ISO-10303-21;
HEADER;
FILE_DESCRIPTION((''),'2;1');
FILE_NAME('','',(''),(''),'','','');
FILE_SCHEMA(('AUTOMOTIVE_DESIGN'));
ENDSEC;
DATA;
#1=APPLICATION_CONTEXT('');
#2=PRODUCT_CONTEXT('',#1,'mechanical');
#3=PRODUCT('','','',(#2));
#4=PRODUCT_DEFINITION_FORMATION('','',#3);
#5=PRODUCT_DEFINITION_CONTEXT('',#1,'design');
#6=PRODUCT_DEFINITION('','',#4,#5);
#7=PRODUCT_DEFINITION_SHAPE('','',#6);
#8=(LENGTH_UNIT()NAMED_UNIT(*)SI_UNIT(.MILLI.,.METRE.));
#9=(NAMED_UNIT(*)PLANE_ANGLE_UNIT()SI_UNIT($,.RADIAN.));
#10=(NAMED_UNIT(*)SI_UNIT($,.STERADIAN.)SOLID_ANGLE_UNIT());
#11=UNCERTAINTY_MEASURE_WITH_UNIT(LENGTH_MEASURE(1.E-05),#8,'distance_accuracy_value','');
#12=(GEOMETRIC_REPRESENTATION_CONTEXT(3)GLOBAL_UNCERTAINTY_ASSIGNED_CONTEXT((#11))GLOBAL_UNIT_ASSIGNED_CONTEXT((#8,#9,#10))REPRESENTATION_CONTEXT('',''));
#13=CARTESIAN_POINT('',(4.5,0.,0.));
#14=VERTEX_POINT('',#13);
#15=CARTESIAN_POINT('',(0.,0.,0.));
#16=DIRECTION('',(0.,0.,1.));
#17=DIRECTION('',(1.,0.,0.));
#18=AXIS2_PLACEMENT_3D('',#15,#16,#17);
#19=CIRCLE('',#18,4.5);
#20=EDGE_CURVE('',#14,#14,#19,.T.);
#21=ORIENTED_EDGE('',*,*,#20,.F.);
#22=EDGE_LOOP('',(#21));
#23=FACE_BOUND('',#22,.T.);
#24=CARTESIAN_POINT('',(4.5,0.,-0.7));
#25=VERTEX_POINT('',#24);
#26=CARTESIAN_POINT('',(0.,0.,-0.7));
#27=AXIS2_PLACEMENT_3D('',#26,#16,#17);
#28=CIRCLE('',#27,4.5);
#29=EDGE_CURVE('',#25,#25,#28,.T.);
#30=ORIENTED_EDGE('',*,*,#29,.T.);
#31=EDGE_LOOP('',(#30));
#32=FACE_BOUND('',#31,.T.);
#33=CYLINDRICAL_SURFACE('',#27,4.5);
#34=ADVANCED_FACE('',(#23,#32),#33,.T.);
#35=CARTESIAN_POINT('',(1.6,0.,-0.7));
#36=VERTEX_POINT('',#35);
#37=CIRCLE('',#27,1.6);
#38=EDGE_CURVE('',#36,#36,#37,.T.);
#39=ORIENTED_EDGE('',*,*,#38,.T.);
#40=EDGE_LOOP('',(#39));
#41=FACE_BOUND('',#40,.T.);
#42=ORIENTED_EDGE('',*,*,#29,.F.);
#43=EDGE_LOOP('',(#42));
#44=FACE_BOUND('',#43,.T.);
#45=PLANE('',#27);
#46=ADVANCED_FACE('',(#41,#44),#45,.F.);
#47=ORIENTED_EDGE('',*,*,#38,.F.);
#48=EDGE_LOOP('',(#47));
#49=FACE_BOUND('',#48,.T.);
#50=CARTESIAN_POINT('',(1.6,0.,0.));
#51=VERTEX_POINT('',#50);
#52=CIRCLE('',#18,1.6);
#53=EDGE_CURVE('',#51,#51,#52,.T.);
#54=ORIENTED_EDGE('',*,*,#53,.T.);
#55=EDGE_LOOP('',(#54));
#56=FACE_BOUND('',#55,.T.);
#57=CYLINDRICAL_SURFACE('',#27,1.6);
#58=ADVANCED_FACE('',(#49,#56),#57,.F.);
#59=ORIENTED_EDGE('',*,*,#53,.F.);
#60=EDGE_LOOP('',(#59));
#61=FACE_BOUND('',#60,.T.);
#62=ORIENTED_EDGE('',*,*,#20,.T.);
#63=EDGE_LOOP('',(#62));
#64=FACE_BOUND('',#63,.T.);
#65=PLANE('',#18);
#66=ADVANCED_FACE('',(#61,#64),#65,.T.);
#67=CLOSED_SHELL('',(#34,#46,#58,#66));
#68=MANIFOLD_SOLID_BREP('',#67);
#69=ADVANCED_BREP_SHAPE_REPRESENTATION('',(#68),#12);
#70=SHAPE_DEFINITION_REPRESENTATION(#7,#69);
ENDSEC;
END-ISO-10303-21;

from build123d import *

# Parameters (mm, degrees)
SKETCH1_R      = 4.5
SKETCH1_R_2    = 1.6
EXTRUDE1_DEPTH = 0.7


with BuildPart() as part:
    # Sketch1 → Extrude1 (new body)
    with BuildSketch(Plane.XY):
        Circle(SKETCH1_R)
        Circle(SKETCH1_R_2, mode=Mode.SUBTRACT)
    extrude(amount=-EXTRUDE1_DEPTH)


solid = part.part
